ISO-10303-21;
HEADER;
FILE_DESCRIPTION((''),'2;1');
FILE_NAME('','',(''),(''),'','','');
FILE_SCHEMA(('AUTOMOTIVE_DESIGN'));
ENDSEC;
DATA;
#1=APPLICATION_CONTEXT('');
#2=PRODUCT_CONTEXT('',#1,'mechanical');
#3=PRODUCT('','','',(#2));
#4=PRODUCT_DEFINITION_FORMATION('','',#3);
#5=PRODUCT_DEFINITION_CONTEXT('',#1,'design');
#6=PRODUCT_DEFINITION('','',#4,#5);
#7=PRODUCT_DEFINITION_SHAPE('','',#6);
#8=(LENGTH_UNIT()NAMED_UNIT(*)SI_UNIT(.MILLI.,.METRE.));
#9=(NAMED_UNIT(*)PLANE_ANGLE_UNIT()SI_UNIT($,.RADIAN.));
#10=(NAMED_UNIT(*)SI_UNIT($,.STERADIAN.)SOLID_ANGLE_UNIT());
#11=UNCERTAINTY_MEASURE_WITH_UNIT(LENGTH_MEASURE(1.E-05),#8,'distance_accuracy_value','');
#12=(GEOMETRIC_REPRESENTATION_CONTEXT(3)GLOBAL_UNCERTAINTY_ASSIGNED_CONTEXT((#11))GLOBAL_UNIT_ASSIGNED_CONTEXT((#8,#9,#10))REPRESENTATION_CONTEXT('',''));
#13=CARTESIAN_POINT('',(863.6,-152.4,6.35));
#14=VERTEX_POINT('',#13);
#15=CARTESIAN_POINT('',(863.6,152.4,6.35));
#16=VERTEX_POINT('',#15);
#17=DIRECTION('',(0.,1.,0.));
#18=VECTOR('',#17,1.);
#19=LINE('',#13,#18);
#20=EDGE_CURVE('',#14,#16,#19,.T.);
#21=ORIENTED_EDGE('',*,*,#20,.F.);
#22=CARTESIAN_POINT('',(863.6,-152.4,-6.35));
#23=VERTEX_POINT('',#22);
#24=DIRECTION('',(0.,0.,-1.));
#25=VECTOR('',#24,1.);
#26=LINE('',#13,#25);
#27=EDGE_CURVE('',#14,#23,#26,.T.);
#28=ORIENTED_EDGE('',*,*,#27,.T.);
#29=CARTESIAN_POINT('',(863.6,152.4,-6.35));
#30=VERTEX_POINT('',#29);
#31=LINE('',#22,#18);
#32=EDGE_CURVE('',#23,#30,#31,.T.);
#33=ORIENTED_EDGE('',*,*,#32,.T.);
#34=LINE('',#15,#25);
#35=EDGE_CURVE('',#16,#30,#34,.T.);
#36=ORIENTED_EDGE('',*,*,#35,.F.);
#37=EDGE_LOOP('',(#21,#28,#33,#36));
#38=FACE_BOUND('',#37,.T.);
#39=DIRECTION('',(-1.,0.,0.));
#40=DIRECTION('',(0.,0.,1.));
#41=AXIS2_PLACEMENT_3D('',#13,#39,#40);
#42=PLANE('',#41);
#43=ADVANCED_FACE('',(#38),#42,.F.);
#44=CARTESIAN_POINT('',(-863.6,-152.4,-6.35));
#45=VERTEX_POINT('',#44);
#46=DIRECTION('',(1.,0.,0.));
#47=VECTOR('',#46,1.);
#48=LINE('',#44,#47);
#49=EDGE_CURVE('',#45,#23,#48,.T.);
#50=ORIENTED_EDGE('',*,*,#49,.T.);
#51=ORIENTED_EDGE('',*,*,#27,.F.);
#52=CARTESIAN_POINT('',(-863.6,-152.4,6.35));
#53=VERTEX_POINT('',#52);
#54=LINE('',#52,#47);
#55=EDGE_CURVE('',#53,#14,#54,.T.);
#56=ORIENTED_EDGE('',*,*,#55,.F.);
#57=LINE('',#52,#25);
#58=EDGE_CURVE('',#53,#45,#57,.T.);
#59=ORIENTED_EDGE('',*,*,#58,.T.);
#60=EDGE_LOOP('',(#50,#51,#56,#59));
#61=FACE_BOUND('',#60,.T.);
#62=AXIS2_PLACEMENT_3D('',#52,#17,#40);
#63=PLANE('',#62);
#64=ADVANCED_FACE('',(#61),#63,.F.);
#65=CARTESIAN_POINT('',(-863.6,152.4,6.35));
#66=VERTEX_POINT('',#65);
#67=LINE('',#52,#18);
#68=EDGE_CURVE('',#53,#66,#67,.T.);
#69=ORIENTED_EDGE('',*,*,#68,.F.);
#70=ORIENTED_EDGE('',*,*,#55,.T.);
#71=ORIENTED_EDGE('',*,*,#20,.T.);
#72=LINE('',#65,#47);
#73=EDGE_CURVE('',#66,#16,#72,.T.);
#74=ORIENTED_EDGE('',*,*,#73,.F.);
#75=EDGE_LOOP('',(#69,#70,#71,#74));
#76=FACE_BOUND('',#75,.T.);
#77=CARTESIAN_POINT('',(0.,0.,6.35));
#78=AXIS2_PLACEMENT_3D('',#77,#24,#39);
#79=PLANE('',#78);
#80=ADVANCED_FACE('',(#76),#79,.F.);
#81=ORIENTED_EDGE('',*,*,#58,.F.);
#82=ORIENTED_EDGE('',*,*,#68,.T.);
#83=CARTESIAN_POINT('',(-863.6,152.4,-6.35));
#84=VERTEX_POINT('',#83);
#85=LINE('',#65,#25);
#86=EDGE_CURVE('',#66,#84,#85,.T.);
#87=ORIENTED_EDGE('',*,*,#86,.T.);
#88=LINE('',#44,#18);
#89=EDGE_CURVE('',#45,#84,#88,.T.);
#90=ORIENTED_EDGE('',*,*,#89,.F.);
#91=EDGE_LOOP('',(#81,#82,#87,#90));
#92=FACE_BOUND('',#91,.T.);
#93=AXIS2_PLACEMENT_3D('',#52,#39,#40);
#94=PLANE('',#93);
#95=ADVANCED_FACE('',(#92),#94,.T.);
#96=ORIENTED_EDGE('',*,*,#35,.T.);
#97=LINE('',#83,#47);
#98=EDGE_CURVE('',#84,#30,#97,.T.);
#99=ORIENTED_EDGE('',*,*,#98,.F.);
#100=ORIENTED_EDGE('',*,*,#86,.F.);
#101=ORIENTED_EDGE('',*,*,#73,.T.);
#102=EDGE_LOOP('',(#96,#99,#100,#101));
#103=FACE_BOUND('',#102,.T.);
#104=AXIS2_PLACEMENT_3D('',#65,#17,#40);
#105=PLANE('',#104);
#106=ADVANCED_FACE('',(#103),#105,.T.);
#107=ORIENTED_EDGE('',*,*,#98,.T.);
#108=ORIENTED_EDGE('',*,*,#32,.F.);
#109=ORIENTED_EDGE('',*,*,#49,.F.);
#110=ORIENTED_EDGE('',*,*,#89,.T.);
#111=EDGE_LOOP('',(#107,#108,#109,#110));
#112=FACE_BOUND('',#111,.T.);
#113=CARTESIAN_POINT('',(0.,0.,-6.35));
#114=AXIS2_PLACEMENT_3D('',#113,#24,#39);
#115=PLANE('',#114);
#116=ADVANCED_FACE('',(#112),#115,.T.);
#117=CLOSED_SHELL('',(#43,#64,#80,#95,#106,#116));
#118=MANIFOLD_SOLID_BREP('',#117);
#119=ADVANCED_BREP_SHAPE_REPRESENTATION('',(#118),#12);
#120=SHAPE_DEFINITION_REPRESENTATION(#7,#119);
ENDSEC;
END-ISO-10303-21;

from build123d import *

# Parameters (mm, degrees)
SKETCH1_W           = 1727.2
SKETCH1_H           = 304.8
BOSS_EXTRUDE1_DEPTH = 6.35


with BuildPart() as part:
    # Sketch1 → Boss-Extrude1 (new, symmetric)
    with BuildSketch(Plane.XY):
        Rectangle(SKETCH1_W, SKETCH1_H)
    extrude(amount=BOSS_EXTRUDE1_DEPTH, both=True)


solid = part.part
